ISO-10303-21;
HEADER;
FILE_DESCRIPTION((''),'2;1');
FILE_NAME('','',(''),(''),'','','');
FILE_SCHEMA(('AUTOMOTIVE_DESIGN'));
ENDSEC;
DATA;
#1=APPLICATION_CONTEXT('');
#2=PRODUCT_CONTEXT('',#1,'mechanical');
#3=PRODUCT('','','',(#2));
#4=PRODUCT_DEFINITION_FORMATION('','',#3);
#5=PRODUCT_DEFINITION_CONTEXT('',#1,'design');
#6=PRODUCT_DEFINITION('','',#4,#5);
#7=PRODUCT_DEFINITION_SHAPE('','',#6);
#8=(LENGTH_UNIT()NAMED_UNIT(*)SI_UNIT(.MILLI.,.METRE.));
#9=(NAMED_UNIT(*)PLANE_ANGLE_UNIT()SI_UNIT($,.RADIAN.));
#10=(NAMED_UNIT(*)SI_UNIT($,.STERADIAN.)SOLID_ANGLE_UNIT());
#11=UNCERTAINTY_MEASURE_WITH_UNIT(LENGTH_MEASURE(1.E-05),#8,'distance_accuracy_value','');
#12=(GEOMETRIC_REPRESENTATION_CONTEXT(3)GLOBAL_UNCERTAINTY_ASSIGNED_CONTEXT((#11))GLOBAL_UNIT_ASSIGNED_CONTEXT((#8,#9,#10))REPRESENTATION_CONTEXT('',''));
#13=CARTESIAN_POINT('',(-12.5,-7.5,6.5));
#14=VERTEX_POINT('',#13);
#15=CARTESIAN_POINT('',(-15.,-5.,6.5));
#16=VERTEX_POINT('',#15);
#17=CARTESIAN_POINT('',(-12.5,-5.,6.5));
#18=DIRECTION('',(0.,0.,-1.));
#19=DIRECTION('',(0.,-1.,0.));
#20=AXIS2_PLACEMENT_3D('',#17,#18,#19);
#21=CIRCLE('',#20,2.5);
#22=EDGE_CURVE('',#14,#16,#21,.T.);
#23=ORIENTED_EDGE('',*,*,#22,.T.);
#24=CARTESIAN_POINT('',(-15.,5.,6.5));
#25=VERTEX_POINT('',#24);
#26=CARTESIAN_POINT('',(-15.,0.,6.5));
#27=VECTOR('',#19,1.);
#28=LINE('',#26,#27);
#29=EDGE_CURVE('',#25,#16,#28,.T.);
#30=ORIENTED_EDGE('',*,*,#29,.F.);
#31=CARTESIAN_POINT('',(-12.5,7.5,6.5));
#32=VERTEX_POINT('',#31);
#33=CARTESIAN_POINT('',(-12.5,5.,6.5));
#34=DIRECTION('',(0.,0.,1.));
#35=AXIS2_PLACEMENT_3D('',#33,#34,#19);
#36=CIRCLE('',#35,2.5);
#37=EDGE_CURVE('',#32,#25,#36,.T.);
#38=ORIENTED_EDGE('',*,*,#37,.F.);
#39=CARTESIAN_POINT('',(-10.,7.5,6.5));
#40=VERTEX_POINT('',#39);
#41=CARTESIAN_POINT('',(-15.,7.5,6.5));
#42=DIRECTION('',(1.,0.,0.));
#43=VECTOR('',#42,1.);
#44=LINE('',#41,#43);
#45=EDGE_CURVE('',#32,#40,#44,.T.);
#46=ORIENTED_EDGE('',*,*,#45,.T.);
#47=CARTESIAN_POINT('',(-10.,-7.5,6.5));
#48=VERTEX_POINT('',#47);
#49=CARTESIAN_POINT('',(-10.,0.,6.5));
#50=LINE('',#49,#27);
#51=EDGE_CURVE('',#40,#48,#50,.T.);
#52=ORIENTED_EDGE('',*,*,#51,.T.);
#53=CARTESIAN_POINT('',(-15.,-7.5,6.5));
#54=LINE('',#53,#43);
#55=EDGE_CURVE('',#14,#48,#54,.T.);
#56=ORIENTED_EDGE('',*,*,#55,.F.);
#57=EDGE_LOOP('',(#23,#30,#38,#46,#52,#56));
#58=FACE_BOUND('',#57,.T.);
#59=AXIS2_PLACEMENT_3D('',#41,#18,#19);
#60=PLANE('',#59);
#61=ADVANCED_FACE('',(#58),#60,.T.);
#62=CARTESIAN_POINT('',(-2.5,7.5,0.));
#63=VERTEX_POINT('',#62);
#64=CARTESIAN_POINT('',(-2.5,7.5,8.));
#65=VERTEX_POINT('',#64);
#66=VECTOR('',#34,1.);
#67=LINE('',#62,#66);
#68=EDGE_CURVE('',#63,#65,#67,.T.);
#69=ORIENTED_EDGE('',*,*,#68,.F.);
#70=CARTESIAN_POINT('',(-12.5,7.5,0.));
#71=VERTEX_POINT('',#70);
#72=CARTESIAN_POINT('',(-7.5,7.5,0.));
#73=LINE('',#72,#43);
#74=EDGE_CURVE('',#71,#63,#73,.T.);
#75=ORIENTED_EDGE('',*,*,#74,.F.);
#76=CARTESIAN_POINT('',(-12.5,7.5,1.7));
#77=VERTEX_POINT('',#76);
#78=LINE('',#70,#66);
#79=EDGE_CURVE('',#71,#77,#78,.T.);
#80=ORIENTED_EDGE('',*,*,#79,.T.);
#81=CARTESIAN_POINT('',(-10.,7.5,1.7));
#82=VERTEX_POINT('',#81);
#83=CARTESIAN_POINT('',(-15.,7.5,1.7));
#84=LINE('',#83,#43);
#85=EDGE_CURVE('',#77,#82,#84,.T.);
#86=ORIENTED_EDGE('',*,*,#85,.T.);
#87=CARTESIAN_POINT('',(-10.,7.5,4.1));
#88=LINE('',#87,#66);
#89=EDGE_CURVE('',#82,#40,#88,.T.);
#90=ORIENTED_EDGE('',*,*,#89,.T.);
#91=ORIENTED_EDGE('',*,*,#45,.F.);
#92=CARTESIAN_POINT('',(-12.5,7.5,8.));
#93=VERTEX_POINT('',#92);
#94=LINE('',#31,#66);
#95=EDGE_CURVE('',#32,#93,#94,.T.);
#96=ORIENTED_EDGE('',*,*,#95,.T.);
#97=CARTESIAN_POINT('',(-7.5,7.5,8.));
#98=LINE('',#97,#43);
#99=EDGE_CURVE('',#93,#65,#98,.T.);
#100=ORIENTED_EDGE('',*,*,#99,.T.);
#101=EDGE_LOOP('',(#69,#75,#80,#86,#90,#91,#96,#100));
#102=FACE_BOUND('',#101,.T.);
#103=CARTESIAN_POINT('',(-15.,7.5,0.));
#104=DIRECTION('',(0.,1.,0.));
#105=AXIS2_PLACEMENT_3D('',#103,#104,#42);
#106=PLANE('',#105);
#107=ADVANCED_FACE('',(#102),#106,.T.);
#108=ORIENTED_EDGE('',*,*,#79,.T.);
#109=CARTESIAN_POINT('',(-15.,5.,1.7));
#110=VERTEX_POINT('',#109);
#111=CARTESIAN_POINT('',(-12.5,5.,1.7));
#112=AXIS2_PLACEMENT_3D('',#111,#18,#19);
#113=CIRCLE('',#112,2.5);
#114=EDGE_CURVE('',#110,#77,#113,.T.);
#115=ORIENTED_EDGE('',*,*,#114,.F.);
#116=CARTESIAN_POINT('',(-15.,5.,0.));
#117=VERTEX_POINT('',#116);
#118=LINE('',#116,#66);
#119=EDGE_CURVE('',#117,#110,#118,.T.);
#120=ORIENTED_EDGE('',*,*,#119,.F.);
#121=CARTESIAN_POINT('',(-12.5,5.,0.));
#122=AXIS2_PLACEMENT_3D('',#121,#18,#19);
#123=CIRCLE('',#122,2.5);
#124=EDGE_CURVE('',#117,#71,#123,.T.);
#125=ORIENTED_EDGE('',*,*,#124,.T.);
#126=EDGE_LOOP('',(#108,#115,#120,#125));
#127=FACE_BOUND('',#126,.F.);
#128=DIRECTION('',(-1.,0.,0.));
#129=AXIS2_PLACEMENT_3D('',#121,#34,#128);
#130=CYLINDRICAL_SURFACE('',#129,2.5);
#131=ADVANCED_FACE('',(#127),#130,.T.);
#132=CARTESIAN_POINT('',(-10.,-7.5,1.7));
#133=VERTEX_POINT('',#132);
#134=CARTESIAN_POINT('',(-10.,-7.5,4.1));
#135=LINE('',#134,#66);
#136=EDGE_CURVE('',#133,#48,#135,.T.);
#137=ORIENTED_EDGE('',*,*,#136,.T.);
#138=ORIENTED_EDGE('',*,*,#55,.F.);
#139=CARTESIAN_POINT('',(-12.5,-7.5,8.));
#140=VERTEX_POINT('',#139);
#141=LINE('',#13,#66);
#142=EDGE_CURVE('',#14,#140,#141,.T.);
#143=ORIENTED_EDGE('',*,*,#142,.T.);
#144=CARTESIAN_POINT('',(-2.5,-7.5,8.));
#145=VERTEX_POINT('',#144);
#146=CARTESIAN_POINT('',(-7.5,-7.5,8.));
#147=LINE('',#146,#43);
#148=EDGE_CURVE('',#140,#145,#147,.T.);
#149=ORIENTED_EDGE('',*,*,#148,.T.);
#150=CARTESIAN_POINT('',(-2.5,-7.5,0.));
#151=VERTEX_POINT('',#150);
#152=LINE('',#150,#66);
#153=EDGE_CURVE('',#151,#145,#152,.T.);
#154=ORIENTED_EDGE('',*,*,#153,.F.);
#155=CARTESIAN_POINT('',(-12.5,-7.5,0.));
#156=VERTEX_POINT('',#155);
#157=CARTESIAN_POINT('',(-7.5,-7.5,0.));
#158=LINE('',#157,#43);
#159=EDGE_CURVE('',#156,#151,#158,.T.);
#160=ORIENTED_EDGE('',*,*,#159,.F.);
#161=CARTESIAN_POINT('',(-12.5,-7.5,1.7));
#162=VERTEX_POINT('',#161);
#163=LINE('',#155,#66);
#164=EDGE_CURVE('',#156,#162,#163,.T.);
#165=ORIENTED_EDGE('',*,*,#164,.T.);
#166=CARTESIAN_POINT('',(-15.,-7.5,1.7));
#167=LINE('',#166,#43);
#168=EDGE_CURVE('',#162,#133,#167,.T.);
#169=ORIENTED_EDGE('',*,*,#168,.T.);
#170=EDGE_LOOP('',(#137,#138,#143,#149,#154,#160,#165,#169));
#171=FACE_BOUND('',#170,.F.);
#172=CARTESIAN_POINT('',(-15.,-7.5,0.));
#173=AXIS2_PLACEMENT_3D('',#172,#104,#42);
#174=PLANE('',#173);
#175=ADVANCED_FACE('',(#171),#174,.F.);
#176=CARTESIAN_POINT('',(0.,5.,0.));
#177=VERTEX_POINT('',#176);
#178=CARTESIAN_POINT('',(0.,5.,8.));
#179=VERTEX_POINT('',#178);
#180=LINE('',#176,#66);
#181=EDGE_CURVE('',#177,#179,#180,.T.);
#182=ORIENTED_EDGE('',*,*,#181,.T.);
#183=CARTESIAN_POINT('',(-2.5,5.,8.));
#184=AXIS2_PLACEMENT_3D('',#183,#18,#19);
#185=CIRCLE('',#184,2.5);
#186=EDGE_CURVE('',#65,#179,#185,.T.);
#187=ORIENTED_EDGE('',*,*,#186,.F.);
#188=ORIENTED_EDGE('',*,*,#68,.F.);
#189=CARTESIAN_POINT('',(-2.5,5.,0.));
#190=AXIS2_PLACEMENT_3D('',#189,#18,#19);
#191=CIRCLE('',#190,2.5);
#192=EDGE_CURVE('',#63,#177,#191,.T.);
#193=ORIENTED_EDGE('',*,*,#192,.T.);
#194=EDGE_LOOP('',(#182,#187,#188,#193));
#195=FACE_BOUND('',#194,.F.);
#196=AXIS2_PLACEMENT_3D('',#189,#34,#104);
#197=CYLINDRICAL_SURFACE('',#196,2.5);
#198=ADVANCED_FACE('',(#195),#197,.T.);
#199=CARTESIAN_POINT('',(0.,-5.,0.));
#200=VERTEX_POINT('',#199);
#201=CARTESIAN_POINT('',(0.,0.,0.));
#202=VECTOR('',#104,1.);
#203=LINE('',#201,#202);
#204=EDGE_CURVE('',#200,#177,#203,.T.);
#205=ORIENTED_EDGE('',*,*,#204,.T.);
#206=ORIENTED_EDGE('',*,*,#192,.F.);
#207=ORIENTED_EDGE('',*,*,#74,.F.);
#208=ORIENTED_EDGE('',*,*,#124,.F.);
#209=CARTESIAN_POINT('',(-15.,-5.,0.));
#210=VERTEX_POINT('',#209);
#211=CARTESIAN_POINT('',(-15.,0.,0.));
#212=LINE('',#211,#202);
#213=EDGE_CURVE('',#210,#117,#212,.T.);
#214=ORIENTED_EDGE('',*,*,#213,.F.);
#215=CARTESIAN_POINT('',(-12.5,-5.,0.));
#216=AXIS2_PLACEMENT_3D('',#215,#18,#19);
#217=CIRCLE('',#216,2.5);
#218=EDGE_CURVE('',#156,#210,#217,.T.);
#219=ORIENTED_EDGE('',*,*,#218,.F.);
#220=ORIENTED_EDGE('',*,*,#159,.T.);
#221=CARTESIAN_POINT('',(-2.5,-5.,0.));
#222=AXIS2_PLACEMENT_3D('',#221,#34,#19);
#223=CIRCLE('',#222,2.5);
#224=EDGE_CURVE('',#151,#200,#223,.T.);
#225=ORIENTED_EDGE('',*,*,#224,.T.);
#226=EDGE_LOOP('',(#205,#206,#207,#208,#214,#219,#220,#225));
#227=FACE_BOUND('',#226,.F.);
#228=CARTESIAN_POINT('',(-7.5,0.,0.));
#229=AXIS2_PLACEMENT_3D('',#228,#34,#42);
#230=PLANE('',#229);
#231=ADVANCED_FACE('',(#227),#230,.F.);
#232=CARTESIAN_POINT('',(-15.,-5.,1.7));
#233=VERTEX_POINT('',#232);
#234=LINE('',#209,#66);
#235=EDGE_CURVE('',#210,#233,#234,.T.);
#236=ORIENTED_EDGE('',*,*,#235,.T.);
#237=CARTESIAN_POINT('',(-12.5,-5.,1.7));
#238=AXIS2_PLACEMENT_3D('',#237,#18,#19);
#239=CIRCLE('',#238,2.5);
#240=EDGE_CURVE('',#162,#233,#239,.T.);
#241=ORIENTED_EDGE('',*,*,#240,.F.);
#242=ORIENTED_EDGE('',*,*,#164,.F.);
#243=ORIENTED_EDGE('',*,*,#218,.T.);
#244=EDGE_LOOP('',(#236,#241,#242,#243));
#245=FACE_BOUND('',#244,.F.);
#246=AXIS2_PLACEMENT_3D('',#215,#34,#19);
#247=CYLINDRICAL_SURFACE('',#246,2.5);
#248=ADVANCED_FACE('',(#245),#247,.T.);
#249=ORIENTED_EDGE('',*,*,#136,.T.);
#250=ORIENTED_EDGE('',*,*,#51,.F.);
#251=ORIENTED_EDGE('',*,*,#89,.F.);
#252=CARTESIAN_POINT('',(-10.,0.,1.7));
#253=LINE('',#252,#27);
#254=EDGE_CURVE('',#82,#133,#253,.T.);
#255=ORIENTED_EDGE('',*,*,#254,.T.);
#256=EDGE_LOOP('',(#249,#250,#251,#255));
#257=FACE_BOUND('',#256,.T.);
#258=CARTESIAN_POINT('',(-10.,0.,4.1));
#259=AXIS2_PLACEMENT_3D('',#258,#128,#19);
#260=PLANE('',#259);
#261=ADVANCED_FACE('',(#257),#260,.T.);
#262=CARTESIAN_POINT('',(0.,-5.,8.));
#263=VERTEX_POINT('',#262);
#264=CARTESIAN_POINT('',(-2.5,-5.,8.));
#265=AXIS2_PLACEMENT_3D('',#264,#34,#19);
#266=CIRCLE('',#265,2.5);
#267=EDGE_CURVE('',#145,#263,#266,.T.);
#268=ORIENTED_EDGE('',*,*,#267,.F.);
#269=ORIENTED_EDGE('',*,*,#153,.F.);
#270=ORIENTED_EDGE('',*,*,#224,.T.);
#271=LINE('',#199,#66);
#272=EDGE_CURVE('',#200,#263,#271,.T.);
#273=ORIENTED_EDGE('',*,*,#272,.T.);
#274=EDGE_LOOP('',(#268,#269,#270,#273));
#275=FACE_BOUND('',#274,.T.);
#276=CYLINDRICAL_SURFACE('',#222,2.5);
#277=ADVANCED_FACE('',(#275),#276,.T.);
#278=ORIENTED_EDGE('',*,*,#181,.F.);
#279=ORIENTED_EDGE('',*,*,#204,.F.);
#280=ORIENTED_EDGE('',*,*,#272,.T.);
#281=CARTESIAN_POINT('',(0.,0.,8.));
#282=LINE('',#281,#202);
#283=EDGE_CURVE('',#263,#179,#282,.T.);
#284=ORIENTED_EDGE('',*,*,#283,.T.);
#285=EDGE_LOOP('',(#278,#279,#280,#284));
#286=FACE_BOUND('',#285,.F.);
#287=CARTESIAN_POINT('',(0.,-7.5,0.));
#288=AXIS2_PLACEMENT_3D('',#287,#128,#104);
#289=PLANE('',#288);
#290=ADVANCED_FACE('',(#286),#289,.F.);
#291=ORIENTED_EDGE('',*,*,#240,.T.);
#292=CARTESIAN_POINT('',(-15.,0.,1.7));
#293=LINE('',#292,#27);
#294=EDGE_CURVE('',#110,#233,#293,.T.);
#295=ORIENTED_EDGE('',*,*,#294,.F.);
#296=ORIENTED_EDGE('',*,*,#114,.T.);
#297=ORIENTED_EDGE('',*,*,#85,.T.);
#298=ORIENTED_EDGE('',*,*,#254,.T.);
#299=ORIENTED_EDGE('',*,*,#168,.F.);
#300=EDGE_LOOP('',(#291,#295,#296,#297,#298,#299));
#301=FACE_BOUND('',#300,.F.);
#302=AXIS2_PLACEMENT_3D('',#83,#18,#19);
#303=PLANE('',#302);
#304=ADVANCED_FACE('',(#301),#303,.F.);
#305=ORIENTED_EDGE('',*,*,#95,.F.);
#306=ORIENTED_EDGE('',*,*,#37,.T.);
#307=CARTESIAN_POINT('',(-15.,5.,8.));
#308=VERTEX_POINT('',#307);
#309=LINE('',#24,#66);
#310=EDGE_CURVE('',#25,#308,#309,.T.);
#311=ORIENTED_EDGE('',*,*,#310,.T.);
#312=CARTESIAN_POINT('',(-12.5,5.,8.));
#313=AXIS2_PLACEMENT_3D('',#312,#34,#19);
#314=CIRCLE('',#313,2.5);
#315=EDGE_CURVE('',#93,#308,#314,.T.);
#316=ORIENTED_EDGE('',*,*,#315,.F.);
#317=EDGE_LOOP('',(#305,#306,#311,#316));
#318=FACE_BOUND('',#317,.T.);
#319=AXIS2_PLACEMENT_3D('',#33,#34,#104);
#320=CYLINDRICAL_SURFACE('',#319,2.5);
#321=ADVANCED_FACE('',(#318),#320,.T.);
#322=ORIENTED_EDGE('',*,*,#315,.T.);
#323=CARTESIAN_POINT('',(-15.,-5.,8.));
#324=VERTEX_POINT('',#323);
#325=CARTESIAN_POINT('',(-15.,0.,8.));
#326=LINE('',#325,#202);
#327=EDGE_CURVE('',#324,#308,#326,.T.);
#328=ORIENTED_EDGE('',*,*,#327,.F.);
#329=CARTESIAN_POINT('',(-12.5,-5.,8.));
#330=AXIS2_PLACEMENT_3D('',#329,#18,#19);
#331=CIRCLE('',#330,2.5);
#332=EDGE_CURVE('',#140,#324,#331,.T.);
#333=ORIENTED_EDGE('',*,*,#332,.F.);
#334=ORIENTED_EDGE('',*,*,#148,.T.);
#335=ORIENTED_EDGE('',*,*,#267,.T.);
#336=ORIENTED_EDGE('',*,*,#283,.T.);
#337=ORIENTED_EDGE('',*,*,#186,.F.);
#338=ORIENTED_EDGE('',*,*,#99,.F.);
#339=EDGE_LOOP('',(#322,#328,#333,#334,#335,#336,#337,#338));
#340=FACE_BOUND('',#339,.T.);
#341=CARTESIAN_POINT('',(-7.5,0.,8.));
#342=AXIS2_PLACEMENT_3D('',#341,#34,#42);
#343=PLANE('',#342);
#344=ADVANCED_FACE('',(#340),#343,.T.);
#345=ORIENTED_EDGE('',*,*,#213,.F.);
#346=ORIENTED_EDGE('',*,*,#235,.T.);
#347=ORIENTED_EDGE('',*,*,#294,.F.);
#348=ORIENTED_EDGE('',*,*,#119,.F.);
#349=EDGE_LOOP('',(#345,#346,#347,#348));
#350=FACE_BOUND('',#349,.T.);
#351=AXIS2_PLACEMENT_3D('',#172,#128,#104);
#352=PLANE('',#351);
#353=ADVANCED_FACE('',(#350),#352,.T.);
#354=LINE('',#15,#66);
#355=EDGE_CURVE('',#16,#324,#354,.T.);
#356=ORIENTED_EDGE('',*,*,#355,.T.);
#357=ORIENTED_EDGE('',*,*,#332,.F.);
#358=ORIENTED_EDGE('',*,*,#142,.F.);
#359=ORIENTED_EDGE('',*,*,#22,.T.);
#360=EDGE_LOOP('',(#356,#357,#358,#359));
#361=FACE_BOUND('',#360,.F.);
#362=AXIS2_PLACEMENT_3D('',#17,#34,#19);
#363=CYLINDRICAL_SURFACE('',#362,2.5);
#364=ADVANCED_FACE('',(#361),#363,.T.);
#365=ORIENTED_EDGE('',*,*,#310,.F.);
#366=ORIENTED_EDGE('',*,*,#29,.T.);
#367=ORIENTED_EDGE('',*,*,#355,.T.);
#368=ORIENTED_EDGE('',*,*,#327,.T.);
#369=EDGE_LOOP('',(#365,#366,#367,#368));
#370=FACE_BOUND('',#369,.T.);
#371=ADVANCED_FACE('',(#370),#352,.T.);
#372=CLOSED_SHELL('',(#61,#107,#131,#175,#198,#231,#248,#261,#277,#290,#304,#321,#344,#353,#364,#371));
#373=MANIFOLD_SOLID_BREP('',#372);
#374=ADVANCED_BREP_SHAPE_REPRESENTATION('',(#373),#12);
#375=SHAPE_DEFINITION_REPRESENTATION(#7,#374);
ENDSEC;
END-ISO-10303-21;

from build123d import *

# Parameters (mm, degrees)
F0_W     = 15
F0_H     = 15
F1_DEPTH = 8
F2_W     = 15
F2_H     = 4.8
F3_DEPTH = 5
F4_R     = 2.5
F5_R     = 2.5


with BuildPart() as f1:
    # F0 (on Top) → F1 (new body)
    with BuildSketch(Plane.XY):
        with Locations((-7.5, 0)):
            Rectangle(F0_W, F0_H)
    extrude(amount=F1_DEPTH)

    # F2 (on face) → F3 (cut)
    with BuildSketch(Plane(origin=(-15, 0, 0), x_dir=(0, -1, 0), z_dir=(-1, 0, 0))):
        with Locations((0, 4.1)):
            Rectangle(F2_W, F2_H)
    extrude(amount=-F3_DEPTH, mode=Mode.SUBTRACT)

    # F4
    f4_edges = [f1.edges().sort_by_distance(p)[0] for p in [
        (0, -7.5, 4),
        (0, 7.5, 4),
    ]]
    fillet(f4_edges, radius=F4_R)

    # F5
    f5_edges = [f1.edges().sort_by_distance(p)[0] for p in [
        (-15, -7.5, 0.85),
        (-15, -7.5, 7.25),
        (-15, 7.5, 0.85),
        (-15, 7.5, 7.25),
    ]]
    fillet(f5_edges, radius=F5_R)


solid = f1.part
